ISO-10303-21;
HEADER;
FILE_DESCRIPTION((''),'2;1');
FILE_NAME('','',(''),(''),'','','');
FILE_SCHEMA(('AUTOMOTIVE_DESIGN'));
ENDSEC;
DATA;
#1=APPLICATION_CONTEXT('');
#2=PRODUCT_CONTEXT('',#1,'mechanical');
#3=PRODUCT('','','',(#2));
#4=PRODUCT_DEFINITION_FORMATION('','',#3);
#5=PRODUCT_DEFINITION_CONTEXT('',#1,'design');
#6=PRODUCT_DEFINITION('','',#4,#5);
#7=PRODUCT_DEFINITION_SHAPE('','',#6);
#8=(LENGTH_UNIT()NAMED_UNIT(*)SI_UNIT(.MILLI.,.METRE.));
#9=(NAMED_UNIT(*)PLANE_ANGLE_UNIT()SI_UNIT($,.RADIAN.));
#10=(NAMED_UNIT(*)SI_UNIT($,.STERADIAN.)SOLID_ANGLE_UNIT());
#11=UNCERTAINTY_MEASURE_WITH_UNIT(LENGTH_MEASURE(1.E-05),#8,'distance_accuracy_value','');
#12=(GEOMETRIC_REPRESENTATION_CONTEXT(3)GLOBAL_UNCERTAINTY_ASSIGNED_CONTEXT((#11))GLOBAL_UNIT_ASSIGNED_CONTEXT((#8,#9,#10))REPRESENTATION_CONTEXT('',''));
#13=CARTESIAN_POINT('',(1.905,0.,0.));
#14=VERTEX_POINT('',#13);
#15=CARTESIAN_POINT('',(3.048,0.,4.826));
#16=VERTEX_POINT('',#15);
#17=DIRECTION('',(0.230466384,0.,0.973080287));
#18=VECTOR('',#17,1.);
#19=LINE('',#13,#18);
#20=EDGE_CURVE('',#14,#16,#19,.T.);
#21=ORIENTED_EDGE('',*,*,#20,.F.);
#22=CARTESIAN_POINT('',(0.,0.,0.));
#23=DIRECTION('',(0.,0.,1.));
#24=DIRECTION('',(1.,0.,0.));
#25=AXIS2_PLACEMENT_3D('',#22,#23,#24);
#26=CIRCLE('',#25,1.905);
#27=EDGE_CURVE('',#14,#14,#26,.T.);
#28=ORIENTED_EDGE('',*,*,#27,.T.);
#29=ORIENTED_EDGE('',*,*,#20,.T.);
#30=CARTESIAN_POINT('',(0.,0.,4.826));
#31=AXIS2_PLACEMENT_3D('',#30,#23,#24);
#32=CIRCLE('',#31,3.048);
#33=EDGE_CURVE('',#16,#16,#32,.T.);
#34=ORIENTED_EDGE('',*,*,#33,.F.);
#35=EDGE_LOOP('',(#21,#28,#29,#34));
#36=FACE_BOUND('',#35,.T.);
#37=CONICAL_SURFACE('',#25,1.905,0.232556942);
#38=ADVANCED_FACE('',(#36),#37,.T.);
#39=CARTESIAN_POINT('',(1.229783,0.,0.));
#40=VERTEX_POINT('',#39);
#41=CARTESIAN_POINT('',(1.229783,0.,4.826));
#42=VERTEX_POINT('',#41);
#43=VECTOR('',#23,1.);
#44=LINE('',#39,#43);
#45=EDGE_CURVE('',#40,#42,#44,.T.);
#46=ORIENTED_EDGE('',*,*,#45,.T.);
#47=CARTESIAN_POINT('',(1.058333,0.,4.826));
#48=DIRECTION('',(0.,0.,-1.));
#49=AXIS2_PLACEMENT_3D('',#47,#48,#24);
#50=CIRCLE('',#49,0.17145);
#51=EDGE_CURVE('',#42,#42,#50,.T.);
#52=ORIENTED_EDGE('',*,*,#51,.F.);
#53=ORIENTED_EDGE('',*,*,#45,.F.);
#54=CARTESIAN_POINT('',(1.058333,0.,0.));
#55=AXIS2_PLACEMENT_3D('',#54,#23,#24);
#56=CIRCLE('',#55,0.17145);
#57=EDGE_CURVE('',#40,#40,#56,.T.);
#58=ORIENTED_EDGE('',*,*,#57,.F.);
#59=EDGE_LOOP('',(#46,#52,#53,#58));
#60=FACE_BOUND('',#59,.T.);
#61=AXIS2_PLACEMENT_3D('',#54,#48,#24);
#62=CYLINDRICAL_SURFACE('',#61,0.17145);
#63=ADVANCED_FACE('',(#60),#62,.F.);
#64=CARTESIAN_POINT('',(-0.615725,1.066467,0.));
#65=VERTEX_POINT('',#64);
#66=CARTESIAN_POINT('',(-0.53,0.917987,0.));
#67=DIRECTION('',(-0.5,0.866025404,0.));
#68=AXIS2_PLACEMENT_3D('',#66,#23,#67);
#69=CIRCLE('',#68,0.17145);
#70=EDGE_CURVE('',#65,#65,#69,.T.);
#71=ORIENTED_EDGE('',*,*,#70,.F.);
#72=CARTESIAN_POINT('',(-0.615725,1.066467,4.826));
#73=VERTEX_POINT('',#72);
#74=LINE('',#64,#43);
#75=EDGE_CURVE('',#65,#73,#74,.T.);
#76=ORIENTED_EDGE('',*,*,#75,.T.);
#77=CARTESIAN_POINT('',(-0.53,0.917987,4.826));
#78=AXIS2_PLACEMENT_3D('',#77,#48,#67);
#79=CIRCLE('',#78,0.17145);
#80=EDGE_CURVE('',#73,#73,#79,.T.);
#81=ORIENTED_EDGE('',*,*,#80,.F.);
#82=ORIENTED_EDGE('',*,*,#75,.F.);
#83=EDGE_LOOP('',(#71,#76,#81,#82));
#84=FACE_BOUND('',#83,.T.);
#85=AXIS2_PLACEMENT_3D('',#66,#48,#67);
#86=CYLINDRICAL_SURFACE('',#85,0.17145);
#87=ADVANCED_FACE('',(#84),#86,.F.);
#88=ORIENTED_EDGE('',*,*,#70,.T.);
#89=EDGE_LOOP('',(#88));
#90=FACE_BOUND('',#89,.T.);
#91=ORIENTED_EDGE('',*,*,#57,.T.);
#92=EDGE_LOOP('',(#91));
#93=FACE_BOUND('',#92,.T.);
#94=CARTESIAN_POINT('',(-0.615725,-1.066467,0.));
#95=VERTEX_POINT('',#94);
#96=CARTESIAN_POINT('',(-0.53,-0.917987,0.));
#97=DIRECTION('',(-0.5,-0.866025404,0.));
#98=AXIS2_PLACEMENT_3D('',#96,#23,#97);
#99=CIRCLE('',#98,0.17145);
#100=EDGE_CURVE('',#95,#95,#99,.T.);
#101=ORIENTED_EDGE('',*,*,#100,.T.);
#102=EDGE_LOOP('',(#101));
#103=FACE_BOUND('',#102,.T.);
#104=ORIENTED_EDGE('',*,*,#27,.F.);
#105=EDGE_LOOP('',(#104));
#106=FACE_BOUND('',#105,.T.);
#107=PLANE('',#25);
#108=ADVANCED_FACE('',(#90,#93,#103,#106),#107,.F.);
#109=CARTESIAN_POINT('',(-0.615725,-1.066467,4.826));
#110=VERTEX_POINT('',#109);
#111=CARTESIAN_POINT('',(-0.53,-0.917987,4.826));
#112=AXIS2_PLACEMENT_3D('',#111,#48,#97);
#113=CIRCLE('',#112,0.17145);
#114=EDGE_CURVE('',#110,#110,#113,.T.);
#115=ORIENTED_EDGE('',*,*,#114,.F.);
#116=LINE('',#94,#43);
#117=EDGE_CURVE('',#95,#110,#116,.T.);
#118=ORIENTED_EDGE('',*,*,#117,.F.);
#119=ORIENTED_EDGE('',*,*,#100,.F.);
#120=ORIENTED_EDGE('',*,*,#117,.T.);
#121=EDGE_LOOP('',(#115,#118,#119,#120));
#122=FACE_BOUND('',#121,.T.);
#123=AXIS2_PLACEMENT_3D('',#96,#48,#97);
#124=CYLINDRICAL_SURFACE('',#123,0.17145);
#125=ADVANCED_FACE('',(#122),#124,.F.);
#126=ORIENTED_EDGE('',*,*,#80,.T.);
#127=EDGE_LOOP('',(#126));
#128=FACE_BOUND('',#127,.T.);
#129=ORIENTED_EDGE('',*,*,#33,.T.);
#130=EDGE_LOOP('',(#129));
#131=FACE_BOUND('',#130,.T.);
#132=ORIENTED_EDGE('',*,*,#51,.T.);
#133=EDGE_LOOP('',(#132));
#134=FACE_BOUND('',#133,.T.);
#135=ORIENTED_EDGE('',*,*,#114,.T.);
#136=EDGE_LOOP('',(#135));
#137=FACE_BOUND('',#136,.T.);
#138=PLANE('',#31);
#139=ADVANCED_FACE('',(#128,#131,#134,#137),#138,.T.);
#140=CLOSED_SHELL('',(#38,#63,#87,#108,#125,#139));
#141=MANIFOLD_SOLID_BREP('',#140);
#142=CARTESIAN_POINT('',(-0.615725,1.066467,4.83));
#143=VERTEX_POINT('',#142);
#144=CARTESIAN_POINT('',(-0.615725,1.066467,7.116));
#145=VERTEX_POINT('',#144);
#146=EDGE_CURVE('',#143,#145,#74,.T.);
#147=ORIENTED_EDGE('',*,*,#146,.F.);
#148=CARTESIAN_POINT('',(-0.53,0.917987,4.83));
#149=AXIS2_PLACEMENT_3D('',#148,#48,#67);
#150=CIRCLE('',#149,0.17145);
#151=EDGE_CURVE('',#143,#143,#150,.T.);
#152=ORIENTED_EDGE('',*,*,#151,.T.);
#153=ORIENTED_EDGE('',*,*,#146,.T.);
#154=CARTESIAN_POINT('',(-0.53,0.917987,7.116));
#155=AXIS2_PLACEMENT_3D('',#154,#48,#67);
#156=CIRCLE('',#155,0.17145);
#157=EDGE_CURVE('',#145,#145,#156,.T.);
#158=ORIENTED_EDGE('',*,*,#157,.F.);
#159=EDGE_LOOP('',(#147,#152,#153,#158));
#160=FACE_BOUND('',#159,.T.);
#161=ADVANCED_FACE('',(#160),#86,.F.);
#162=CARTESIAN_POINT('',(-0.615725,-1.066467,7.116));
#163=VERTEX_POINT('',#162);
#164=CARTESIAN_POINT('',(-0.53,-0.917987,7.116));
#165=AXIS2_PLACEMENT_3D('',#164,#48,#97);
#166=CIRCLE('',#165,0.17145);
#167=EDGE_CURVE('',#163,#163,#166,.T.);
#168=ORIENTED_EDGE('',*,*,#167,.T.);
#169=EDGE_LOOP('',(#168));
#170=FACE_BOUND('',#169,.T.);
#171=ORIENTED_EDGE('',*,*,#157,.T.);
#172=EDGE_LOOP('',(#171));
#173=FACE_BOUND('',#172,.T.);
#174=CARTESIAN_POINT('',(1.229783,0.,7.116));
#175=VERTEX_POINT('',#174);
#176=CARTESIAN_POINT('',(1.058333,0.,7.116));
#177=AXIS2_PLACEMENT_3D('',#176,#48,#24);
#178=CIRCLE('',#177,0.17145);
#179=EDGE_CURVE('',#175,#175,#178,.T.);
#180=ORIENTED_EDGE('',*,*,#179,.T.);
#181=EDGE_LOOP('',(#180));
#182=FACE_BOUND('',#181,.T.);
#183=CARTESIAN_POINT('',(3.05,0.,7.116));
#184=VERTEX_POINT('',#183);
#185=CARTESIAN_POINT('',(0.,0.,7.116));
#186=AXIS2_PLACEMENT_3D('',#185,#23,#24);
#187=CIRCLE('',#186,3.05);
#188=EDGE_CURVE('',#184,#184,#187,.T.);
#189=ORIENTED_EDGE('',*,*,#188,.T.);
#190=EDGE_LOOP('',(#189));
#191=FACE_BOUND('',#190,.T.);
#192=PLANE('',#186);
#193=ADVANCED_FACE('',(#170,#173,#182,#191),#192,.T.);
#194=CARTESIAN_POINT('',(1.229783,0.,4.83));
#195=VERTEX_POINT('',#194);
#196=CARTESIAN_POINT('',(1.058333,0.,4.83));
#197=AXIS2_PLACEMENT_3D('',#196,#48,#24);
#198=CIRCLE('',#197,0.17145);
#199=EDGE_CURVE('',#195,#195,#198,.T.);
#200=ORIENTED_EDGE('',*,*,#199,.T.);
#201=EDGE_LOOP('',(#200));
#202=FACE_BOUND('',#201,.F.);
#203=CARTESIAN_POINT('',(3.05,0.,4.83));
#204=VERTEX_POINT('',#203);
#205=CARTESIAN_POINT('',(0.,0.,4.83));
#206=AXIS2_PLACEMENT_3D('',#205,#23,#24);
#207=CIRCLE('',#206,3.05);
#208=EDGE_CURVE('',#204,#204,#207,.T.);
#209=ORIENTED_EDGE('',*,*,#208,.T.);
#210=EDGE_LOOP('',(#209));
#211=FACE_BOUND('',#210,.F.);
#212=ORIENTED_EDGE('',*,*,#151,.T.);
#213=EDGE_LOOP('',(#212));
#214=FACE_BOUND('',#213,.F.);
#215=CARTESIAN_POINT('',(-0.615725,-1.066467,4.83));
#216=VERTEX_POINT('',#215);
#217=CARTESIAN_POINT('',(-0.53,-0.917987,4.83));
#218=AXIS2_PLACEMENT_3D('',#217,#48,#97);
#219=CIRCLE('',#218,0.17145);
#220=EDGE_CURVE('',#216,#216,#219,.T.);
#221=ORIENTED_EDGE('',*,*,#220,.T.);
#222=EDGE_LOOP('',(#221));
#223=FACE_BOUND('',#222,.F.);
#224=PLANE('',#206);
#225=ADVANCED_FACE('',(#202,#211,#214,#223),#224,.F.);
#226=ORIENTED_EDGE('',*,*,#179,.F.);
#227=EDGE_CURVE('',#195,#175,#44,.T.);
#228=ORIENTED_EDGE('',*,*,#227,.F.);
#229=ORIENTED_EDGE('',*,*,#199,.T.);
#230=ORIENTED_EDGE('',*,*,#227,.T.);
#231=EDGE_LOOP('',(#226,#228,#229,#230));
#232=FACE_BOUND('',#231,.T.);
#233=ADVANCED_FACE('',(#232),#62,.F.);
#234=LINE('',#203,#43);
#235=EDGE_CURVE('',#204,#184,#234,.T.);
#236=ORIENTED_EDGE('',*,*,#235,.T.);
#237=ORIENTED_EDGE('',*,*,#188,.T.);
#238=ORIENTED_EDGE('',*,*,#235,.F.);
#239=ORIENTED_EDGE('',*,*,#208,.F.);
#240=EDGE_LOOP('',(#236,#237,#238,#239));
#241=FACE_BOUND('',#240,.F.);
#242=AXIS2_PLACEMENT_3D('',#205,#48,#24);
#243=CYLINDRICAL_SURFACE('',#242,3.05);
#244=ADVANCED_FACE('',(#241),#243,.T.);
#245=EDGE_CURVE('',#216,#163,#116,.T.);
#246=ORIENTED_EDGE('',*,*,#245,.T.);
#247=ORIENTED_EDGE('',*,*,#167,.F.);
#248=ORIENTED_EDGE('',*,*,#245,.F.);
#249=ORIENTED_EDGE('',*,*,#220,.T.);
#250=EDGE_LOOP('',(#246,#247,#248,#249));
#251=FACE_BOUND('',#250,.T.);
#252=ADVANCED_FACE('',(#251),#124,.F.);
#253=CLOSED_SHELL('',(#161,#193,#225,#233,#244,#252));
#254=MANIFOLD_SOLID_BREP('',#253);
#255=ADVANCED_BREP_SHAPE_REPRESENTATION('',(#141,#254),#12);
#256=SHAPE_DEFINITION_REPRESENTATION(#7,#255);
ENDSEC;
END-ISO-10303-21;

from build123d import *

# Parameters (mm, degrees)
CYLINDER003_R               = 0.17145
CYLINDER003_DEPTH           = 7.12
COMPOUND_PLACEMENT_ANGLE    = 120
CYLINDER002_R               = 0.17145
CYLINDER002_DEPTH           = 7.12
COMPOUND001_PLACEMENT_ANGLE = 240
CYLINDER001_R               = 0.17145
CYLINDER001_DEPTH           = 7.12
CYLINDER_R                  = 3.05
CYLINDER_DEPTH              = 2.286


with BuildPart() as compound:
    # Cylinder003 → Cylinder003 (new body)
    with BuildSketch(Plane(origin=(1.06, 0, 0), x_dir=(1, 0, 0), z_dir=(0, 0, 1))):
        Circle(CYLINDER003_R)
    extrude(amount=CYLINDER003_DEPTH)


with BuildPart() as compound_1:
    # Compound placement: moved
    add(compound.part.rotate(Axis((0, 0, 0), (0, 0, 1)), COMPOUND_PLACEMENT_ANGLE))


with BuildPart() as compound001:
    # Cylinder002 → Cylinder002 (new body)
    with BuildSketch(Plane(origin=(1.06, 0, 0), x_dir=(1, 0, 0), z_dir=(0, 0, 1))):
        Circle(CYLINDER002_R)
    extrude(amount=CYLINDER002_DEPTH)


with BuildPart() as compound001_1:
    # Compound001 placement: moved
    add(compound001.part.rotate(Axis((0, 0, 0), (0, 0, 1)), COMPOUND001_PLACEMENT_ANGLE))


with BuildPart() as fibers:
    # Cylinder001 → Cylinder001 (new body)
    with BuildSketch(Plane(origin=(1.058333, 0, 0), x_dir=(1, 0, 0), z_dir=(0, 0, 1))):
        Circle(CYLINDER001_R)
    extrude(amount=CYLINDER001_DEPTH)

    # Fusion001: union Compound, Compound001
    add(compound_1.part)
    add(compound001_1.part)


with BuildPart() as cylinder:
    # Cylinder → Cylinder (new body)
    with BuildSketch(Plane.XY.offset(4.83)):
        Circle(CYLINDER_R)
    extrude(amount=CYLINDER_DEPTH)


with BuildPart() as swagelokfiberferruletripple0_125in:
    # Cone → Cone (revolve)
    with BuildSketch(Plane.XZ):
        Polygon((0, 0), (1.905, 0), (3.048, 4.826), (0, 4.826), align=None)
    revolve(axis=Axis((0, 0, 0), (0, 0, 1)))

    # Fusion: union Cylinder
    add(cylinder.part)

    # Cut: cut Fibers
    add(fibers.part, mode=Mode.SUBTRACT)


solid = swagelokfiberferruletripple0_125in.part
